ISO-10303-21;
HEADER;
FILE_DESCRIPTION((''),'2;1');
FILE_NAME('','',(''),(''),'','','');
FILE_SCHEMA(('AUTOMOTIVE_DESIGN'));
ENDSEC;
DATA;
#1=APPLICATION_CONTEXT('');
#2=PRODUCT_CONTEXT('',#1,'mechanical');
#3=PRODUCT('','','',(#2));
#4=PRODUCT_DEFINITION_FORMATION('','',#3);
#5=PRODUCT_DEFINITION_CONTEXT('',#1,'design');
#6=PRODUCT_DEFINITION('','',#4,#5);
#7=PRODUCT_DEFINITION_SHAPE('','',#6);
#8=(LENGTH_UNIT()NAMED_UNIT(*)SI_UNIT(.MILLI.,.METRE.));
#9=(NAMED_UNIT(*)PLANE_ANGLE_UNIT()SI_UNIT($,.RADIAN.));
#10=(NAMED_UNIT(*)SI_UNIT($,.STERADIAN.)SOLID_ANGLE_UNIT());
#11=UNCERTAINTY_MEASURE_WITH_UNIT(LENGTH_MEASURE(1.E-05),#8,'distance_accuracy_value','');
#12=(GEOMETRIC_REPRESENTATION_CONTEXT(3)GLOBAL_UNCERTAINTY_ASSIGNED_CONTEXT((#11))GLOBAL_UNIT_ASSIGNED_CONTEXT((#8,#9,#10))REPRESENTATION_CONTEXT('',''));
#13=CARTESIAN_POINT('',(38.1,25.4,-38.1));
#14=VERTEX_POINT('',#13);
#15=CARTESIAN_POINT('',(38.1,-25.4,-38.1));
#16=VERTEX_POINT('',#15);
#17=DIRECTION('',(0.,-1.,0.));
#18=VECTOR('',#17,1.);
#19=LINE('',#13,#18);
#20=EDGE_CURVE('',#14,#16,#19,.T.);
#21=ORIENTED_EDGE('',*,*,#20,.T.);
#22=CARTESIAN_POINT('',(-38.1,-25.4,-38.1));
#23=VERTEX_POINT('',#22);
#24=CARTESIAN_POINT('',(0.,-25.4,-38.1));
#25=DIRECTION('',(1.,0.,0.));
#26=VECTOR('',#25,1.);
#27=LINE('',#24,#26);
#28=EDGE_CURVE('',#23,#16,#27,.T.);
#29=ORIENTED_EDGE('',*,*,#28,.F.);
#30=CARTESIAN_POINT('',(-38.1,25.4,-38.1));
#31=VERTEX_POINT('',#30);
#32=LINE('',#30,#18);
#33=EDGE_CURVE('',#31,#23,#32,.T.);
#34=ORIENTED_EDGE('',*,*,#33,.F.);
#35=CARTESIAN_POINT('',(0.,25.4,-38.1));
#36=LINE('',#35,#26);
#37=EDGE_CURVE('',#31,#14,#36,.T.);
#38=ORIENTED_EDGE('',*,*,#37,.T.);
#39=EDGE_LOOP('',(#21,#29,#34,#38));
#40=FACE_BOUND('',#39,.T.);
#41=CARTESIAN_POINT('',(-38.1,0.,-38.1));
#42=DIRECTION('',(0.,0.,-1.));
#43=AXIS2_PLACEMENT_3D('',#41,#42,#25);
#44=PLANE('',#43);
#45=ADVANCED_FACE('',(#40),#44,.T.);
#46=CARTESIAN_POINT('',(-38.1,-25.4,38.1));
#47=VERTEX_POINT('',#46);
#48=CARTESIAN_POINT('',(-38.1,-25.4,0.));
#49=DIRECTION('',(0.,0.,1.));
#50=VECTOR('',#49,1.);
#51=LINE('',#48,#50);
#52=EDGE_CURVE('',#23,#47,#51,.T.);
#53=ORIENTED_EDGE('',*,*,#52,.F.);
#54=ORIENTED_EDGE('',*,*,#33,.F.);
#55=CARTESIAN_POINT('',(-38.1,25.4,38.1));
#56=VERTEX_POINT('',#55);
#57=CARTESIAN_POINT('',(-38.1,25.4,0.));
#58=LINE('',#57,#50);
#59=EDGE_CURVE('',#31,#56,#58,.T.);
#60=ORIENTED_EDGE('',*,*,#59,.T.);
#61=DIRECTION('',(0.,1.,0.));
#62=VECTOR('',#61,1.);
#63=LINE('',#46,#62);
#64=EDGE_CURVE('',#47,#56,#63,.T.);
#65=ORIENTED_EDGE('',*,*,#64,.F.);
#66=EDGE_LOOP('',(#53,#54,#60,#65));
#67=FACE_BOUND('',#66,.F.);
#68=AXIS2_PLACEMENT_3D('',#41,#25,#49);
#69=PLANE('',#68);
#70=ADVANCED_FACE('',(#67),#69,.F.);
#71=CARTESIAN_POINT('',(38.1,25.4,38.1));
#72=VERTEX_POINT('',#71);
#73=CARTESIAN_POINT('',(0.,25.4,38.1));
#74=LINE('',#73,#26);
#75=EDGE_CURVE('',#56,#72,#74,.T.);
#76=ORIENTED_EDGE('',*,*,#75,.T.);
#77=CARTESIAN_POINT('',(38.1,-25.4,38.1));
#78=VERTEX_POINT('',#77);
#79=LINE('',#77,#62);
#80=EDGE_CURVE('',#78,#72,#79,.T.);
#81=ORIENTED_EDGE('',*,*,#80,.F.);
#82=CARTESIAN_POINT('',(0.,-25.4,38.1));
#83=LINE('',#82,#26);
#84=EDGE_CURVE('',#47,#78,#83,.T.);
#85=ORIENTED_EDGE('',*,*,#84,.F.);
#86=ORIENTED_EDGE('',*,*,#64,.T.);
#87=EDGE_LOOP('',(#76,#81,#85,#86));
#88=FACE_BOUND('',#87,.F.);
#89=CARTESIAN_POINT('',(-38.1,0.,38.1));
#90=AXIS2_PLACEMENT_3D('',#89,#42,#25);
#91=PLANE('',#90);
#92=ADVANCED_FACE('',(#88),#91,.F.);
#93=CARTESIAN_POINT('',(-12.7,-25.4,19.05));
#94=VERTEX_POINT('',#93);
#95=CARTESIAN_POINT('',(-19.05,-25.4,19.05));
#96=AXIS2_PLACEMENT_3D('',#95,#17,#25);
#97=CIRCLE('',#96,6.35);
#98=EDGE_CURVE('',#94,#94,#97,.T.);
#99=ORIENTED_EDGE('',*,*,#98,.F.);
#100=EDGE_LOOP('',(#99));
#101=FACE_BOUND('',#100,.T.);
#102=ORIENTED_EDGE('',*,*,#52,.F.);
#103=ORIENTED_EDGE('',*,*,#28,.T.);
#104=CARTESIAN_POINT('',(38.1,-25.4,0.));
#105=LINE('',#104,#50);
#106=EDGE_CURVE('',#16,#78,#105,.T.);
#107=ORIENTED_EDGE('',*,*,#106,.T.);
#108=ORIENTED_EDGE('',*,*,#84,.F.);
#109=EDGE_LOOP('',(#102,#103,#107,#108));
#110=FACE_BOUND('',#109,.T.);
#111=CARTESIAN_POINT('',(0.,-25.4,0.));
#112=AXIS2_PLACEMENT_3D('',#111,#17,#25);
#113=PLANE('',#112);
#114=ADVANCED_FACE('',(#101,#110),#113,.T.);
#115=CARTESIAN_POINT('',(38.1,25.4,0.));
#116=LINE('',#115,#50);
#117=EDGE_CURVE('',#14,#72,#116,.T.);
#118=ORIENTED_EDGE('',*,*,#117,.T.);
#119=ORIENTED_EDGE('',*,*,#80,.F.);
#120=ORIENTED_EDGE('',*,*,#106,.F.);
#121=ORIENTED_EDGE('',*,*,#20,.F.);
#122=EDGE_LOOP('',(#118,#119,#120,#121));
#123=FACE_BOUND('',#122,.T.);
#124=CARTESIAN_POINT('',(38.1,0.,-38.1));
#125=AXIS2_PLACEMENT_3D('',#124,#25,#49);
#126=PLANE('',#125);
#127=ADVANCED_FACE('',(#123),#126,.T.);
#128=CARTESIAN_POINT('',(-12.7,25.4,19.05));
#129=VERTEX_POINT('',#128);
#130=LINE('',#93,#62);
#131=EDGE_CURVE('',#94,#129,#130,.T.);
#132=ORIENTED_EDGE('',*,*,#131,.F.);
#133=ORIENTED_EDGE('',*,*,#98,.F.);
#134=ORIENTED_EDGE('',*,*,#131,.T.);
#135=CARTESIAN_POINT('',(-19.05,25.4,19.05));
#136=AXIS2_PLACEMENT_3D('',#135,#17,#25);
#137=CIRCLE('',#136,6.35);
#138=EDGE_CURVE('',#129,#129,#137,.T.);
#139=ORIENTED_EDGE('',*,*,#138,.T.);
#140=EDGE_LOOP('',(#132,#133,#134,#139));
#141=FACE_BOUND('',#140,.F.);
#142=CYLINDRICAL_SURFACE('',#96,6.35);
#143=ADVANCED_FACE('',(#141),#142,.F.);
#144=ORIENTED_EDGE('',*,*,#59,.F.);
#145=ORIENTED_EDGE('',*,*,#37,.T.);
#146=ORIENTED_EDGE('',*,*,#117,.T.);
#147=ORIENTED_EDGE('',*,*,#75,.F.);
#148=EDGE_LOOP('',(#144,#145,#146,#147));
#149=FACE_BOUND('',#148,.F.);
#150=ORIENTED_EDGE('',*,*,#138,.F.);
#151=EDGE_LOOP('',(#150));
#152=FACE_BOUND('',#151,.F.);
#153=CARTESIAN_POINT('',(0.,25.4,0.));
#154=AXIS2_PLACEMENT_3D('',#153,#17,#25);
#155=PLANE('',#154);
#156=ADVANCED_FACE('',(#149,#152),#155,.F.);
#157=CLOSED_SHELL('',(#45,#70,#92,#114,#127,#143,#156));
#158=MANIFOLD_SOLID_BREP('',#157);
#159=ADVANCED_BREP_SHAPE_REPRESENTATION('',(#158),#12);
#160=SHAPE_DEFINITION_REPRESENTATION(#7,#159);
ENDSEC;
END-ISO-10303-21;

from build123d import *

# Parameters (mm, degrees)
F0_W     = 76.2
F0_H     = 76.2
F1_DEPTH = 25.4
F2_R     = 6.35
F3_DEPTH = 50.801


with BuildPart() as f1:
    # F0 (on Front) → F1 (new body, symmetric)
    with BuildSketch(Plane.XZ):
        Rectangle(F0_W, F0_H)
    extrude(amount=F1_DEPTH, both=True)

    # F2 (on face) → F3 (cut, through all)
    with BuildSketch(Plane.XZ.offset(25.4)):
        with Locations((-19.05, 19.05)):
            Circle(F2_R)
    extrude(amount=-F3_DEPTH, mode=Mode.SUBTRACT)


solid = f1.part
